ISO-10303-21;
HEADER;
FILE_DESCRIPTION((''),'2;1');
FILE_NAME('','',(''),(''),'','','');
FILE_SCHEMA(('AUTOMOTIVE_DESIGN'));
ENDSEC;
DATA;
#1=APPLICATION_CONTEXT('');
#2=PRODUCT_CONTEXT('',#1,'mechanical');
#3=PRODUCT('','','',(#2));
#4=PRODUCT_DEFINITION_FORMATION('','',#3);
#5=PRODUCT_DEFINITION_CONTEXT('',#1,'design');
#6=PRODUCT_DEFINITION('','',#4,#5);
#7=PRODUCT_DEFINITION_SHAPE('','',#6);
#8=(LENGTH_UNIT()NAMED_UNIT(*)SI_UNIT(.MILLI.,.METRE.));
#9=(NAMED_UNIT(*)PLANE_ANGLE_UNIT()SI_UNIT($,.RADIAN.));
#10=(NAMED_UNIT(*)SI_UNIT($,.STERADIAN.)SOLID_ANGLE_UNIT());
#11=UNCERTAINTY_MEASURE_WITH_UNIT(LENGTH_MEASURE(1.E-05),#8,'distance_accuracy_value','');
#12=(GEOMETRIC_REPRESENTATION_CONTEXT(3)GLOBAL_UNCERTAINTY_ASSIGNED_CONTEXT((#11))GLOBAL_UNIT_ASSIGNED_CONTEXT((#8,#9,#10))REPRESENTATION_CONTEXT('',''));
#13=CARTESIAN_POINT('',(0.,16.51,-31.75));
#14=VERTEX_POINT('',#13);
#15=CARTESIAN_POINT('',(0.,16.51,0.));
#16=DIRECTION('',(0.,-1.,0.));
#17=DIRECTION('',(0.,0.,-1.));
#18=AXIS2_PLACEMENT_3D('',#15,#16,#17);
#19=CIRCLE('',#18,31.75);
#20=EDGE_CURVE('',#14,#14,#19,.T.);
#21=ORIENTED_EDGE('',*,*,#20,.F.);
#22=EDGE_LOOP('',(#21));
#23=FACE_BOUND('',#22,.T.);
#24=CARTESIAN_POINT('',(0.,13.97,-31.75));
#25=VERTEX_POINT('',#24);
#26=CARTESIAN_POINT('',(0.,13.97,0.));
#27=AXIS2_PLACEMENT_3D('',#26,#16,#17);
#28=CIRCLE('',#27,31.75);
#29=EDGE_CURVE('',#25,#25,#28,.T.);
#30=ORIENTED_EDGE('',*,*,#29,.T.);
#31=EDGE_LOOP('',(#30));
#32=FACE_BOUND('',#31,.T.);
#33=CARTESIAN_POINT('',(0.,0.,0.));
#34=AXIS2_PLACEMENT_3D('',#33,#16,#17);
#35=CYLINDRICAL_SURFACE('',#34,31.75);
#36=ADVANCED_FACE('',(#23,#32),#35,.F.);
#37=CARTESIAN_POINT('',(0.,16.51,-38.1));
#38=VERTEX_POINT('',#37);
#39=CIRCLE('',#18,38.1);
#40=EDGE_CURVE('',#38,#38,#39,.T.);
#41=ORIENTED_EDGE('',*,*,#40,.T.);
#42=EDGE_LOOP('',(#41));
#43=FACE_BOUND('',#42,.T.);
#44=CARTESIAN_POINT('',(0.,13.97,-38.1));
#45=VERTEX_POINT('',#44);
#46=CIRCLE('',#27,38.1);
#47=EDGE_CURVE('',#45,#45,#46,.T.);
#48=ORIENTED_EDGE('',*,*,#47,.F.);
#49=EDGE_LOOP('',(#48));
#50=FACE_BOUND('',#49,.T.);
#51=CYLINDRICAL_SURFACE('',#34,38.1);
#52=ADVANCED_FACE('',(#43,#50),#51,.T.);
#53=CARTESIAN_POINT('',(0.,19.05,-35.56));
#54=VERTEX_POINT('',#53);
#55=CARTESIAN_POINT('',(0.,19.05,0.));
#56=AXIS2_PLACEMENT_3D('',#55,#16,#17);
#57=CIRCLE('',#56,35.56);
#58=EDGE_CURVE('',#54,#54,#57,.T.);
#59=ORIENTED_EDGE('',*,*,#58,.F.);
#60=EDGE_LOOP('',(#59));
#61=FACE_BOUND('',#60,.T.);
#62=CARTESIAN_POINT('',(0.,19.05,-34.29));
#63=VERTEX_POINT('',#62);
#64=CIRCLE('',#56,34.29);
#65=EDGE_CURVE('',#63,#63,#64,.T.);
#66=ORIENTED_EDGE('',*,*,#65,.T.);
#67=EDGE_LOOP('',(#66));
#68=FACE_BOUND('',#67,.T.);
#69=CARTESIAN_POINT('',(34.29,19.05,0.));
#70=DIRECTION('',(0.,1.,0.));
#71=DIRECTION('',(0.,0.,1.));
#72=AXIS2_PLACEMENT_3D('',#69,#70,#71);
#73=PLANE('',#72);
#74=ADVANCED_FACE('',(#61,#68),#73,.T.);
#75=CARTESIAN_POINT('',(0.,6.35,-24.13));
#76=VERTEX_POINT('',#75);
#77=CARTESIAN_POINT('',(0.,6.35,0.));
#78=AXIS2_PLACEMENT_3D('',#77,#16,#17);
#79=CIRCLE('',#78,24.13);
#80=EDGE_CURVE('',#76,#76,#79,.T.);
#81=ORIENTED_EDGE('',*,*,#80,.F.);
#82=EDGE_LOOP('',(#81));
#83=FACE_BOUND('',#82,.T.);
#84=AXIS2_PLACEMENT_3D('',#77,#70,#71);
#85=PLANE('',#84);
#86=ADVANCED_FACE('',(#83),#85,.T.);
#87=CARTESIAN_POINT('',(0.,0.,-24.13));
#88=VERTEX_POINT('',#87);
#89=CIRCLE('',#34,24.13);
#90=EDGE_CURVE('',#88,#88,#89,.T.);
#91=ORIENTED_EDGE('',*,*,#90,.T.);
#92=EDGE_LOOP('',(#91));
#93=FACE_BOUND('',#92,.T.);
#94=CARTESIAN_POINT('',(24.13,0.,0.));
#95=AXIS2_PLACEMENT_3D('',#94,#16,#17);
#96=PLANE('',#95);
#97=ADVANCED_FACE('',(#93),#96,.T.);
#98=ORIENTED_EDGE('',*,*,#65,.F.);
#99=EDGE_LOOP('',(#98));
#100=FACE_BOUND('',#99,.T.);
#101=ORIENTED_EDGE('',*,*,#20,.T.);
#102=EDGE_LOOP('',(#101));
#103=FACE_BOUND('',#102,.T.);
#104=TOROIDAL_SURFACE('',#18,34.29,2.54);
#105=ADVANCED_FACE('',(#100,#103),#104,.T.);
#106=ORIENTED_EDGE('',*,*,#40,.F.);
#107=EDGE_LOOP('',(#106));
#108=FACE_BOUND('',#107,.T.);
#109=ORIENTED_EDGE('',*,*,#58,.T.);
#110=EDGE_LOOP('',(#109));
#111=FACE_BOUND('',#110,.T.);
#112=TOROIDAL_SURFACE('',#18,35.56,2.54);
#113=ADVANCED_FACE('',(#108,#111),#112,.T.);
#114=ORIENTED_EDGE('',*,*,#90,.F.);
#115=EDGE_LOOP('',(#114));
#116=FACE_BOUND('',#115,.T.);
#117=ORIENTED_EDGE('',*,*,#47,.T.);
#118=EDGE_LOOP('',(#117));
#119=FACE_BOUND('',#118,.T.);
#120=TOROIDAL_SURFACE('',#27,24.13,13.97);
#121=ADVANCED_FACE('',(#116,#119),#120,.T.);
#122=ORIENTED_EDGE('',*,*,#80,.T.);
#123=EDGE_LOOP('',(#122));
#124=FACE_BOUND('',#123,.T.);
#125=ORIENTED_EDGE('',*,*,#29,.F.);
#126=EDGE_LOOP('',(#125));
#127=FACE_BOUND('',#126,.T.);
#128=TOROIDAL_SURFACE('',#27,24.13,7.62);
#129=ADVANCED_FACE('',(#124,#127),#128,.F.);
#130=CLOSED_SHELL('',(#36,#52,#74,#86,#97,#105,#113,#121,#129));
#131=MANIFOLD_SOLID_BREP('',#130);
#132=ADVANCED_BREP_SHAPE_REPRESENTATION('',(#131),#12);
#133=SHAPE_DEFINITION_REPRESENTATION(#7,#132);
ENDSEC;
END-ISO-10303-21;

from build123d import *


with BuildPart() as part:
    # Sketch1 → Revolve1 (revolve)
    with BuildSketch(Plane.XY):
        with BuildLine():
            Line((0, 0), (0, 6.35))
            Line((0, 6.35), (24.13, 6.35))
            ThreePointArc((24.13, 6.35), (29.518153673, 8.581846327), (31.75, 13.97))
            Line((31.75, 13.97), (31.75, 16.51))
            ThreePointArc((31.75, 16.51), (32.493948776, 18.306051224), (34.29, 19.05))
            Line((34.29, 19.05), (35.56, 19.05))
            ThreePointArc((35.56, 19.05), (37.356051224, 18.306051224), (38.1, 16.51))
            Line((38.1, 16.51), (38.1, 13.97))
            ThreePointArc((38.1, 13.97), (34.008281733, 4.091718267), (24.13, 0))
            Line((24.13, 0), (0, 0))
        make_face()
    revolve(axis=Axis((0, 0, 0), (0, 1, 0)))


solid = part.part
